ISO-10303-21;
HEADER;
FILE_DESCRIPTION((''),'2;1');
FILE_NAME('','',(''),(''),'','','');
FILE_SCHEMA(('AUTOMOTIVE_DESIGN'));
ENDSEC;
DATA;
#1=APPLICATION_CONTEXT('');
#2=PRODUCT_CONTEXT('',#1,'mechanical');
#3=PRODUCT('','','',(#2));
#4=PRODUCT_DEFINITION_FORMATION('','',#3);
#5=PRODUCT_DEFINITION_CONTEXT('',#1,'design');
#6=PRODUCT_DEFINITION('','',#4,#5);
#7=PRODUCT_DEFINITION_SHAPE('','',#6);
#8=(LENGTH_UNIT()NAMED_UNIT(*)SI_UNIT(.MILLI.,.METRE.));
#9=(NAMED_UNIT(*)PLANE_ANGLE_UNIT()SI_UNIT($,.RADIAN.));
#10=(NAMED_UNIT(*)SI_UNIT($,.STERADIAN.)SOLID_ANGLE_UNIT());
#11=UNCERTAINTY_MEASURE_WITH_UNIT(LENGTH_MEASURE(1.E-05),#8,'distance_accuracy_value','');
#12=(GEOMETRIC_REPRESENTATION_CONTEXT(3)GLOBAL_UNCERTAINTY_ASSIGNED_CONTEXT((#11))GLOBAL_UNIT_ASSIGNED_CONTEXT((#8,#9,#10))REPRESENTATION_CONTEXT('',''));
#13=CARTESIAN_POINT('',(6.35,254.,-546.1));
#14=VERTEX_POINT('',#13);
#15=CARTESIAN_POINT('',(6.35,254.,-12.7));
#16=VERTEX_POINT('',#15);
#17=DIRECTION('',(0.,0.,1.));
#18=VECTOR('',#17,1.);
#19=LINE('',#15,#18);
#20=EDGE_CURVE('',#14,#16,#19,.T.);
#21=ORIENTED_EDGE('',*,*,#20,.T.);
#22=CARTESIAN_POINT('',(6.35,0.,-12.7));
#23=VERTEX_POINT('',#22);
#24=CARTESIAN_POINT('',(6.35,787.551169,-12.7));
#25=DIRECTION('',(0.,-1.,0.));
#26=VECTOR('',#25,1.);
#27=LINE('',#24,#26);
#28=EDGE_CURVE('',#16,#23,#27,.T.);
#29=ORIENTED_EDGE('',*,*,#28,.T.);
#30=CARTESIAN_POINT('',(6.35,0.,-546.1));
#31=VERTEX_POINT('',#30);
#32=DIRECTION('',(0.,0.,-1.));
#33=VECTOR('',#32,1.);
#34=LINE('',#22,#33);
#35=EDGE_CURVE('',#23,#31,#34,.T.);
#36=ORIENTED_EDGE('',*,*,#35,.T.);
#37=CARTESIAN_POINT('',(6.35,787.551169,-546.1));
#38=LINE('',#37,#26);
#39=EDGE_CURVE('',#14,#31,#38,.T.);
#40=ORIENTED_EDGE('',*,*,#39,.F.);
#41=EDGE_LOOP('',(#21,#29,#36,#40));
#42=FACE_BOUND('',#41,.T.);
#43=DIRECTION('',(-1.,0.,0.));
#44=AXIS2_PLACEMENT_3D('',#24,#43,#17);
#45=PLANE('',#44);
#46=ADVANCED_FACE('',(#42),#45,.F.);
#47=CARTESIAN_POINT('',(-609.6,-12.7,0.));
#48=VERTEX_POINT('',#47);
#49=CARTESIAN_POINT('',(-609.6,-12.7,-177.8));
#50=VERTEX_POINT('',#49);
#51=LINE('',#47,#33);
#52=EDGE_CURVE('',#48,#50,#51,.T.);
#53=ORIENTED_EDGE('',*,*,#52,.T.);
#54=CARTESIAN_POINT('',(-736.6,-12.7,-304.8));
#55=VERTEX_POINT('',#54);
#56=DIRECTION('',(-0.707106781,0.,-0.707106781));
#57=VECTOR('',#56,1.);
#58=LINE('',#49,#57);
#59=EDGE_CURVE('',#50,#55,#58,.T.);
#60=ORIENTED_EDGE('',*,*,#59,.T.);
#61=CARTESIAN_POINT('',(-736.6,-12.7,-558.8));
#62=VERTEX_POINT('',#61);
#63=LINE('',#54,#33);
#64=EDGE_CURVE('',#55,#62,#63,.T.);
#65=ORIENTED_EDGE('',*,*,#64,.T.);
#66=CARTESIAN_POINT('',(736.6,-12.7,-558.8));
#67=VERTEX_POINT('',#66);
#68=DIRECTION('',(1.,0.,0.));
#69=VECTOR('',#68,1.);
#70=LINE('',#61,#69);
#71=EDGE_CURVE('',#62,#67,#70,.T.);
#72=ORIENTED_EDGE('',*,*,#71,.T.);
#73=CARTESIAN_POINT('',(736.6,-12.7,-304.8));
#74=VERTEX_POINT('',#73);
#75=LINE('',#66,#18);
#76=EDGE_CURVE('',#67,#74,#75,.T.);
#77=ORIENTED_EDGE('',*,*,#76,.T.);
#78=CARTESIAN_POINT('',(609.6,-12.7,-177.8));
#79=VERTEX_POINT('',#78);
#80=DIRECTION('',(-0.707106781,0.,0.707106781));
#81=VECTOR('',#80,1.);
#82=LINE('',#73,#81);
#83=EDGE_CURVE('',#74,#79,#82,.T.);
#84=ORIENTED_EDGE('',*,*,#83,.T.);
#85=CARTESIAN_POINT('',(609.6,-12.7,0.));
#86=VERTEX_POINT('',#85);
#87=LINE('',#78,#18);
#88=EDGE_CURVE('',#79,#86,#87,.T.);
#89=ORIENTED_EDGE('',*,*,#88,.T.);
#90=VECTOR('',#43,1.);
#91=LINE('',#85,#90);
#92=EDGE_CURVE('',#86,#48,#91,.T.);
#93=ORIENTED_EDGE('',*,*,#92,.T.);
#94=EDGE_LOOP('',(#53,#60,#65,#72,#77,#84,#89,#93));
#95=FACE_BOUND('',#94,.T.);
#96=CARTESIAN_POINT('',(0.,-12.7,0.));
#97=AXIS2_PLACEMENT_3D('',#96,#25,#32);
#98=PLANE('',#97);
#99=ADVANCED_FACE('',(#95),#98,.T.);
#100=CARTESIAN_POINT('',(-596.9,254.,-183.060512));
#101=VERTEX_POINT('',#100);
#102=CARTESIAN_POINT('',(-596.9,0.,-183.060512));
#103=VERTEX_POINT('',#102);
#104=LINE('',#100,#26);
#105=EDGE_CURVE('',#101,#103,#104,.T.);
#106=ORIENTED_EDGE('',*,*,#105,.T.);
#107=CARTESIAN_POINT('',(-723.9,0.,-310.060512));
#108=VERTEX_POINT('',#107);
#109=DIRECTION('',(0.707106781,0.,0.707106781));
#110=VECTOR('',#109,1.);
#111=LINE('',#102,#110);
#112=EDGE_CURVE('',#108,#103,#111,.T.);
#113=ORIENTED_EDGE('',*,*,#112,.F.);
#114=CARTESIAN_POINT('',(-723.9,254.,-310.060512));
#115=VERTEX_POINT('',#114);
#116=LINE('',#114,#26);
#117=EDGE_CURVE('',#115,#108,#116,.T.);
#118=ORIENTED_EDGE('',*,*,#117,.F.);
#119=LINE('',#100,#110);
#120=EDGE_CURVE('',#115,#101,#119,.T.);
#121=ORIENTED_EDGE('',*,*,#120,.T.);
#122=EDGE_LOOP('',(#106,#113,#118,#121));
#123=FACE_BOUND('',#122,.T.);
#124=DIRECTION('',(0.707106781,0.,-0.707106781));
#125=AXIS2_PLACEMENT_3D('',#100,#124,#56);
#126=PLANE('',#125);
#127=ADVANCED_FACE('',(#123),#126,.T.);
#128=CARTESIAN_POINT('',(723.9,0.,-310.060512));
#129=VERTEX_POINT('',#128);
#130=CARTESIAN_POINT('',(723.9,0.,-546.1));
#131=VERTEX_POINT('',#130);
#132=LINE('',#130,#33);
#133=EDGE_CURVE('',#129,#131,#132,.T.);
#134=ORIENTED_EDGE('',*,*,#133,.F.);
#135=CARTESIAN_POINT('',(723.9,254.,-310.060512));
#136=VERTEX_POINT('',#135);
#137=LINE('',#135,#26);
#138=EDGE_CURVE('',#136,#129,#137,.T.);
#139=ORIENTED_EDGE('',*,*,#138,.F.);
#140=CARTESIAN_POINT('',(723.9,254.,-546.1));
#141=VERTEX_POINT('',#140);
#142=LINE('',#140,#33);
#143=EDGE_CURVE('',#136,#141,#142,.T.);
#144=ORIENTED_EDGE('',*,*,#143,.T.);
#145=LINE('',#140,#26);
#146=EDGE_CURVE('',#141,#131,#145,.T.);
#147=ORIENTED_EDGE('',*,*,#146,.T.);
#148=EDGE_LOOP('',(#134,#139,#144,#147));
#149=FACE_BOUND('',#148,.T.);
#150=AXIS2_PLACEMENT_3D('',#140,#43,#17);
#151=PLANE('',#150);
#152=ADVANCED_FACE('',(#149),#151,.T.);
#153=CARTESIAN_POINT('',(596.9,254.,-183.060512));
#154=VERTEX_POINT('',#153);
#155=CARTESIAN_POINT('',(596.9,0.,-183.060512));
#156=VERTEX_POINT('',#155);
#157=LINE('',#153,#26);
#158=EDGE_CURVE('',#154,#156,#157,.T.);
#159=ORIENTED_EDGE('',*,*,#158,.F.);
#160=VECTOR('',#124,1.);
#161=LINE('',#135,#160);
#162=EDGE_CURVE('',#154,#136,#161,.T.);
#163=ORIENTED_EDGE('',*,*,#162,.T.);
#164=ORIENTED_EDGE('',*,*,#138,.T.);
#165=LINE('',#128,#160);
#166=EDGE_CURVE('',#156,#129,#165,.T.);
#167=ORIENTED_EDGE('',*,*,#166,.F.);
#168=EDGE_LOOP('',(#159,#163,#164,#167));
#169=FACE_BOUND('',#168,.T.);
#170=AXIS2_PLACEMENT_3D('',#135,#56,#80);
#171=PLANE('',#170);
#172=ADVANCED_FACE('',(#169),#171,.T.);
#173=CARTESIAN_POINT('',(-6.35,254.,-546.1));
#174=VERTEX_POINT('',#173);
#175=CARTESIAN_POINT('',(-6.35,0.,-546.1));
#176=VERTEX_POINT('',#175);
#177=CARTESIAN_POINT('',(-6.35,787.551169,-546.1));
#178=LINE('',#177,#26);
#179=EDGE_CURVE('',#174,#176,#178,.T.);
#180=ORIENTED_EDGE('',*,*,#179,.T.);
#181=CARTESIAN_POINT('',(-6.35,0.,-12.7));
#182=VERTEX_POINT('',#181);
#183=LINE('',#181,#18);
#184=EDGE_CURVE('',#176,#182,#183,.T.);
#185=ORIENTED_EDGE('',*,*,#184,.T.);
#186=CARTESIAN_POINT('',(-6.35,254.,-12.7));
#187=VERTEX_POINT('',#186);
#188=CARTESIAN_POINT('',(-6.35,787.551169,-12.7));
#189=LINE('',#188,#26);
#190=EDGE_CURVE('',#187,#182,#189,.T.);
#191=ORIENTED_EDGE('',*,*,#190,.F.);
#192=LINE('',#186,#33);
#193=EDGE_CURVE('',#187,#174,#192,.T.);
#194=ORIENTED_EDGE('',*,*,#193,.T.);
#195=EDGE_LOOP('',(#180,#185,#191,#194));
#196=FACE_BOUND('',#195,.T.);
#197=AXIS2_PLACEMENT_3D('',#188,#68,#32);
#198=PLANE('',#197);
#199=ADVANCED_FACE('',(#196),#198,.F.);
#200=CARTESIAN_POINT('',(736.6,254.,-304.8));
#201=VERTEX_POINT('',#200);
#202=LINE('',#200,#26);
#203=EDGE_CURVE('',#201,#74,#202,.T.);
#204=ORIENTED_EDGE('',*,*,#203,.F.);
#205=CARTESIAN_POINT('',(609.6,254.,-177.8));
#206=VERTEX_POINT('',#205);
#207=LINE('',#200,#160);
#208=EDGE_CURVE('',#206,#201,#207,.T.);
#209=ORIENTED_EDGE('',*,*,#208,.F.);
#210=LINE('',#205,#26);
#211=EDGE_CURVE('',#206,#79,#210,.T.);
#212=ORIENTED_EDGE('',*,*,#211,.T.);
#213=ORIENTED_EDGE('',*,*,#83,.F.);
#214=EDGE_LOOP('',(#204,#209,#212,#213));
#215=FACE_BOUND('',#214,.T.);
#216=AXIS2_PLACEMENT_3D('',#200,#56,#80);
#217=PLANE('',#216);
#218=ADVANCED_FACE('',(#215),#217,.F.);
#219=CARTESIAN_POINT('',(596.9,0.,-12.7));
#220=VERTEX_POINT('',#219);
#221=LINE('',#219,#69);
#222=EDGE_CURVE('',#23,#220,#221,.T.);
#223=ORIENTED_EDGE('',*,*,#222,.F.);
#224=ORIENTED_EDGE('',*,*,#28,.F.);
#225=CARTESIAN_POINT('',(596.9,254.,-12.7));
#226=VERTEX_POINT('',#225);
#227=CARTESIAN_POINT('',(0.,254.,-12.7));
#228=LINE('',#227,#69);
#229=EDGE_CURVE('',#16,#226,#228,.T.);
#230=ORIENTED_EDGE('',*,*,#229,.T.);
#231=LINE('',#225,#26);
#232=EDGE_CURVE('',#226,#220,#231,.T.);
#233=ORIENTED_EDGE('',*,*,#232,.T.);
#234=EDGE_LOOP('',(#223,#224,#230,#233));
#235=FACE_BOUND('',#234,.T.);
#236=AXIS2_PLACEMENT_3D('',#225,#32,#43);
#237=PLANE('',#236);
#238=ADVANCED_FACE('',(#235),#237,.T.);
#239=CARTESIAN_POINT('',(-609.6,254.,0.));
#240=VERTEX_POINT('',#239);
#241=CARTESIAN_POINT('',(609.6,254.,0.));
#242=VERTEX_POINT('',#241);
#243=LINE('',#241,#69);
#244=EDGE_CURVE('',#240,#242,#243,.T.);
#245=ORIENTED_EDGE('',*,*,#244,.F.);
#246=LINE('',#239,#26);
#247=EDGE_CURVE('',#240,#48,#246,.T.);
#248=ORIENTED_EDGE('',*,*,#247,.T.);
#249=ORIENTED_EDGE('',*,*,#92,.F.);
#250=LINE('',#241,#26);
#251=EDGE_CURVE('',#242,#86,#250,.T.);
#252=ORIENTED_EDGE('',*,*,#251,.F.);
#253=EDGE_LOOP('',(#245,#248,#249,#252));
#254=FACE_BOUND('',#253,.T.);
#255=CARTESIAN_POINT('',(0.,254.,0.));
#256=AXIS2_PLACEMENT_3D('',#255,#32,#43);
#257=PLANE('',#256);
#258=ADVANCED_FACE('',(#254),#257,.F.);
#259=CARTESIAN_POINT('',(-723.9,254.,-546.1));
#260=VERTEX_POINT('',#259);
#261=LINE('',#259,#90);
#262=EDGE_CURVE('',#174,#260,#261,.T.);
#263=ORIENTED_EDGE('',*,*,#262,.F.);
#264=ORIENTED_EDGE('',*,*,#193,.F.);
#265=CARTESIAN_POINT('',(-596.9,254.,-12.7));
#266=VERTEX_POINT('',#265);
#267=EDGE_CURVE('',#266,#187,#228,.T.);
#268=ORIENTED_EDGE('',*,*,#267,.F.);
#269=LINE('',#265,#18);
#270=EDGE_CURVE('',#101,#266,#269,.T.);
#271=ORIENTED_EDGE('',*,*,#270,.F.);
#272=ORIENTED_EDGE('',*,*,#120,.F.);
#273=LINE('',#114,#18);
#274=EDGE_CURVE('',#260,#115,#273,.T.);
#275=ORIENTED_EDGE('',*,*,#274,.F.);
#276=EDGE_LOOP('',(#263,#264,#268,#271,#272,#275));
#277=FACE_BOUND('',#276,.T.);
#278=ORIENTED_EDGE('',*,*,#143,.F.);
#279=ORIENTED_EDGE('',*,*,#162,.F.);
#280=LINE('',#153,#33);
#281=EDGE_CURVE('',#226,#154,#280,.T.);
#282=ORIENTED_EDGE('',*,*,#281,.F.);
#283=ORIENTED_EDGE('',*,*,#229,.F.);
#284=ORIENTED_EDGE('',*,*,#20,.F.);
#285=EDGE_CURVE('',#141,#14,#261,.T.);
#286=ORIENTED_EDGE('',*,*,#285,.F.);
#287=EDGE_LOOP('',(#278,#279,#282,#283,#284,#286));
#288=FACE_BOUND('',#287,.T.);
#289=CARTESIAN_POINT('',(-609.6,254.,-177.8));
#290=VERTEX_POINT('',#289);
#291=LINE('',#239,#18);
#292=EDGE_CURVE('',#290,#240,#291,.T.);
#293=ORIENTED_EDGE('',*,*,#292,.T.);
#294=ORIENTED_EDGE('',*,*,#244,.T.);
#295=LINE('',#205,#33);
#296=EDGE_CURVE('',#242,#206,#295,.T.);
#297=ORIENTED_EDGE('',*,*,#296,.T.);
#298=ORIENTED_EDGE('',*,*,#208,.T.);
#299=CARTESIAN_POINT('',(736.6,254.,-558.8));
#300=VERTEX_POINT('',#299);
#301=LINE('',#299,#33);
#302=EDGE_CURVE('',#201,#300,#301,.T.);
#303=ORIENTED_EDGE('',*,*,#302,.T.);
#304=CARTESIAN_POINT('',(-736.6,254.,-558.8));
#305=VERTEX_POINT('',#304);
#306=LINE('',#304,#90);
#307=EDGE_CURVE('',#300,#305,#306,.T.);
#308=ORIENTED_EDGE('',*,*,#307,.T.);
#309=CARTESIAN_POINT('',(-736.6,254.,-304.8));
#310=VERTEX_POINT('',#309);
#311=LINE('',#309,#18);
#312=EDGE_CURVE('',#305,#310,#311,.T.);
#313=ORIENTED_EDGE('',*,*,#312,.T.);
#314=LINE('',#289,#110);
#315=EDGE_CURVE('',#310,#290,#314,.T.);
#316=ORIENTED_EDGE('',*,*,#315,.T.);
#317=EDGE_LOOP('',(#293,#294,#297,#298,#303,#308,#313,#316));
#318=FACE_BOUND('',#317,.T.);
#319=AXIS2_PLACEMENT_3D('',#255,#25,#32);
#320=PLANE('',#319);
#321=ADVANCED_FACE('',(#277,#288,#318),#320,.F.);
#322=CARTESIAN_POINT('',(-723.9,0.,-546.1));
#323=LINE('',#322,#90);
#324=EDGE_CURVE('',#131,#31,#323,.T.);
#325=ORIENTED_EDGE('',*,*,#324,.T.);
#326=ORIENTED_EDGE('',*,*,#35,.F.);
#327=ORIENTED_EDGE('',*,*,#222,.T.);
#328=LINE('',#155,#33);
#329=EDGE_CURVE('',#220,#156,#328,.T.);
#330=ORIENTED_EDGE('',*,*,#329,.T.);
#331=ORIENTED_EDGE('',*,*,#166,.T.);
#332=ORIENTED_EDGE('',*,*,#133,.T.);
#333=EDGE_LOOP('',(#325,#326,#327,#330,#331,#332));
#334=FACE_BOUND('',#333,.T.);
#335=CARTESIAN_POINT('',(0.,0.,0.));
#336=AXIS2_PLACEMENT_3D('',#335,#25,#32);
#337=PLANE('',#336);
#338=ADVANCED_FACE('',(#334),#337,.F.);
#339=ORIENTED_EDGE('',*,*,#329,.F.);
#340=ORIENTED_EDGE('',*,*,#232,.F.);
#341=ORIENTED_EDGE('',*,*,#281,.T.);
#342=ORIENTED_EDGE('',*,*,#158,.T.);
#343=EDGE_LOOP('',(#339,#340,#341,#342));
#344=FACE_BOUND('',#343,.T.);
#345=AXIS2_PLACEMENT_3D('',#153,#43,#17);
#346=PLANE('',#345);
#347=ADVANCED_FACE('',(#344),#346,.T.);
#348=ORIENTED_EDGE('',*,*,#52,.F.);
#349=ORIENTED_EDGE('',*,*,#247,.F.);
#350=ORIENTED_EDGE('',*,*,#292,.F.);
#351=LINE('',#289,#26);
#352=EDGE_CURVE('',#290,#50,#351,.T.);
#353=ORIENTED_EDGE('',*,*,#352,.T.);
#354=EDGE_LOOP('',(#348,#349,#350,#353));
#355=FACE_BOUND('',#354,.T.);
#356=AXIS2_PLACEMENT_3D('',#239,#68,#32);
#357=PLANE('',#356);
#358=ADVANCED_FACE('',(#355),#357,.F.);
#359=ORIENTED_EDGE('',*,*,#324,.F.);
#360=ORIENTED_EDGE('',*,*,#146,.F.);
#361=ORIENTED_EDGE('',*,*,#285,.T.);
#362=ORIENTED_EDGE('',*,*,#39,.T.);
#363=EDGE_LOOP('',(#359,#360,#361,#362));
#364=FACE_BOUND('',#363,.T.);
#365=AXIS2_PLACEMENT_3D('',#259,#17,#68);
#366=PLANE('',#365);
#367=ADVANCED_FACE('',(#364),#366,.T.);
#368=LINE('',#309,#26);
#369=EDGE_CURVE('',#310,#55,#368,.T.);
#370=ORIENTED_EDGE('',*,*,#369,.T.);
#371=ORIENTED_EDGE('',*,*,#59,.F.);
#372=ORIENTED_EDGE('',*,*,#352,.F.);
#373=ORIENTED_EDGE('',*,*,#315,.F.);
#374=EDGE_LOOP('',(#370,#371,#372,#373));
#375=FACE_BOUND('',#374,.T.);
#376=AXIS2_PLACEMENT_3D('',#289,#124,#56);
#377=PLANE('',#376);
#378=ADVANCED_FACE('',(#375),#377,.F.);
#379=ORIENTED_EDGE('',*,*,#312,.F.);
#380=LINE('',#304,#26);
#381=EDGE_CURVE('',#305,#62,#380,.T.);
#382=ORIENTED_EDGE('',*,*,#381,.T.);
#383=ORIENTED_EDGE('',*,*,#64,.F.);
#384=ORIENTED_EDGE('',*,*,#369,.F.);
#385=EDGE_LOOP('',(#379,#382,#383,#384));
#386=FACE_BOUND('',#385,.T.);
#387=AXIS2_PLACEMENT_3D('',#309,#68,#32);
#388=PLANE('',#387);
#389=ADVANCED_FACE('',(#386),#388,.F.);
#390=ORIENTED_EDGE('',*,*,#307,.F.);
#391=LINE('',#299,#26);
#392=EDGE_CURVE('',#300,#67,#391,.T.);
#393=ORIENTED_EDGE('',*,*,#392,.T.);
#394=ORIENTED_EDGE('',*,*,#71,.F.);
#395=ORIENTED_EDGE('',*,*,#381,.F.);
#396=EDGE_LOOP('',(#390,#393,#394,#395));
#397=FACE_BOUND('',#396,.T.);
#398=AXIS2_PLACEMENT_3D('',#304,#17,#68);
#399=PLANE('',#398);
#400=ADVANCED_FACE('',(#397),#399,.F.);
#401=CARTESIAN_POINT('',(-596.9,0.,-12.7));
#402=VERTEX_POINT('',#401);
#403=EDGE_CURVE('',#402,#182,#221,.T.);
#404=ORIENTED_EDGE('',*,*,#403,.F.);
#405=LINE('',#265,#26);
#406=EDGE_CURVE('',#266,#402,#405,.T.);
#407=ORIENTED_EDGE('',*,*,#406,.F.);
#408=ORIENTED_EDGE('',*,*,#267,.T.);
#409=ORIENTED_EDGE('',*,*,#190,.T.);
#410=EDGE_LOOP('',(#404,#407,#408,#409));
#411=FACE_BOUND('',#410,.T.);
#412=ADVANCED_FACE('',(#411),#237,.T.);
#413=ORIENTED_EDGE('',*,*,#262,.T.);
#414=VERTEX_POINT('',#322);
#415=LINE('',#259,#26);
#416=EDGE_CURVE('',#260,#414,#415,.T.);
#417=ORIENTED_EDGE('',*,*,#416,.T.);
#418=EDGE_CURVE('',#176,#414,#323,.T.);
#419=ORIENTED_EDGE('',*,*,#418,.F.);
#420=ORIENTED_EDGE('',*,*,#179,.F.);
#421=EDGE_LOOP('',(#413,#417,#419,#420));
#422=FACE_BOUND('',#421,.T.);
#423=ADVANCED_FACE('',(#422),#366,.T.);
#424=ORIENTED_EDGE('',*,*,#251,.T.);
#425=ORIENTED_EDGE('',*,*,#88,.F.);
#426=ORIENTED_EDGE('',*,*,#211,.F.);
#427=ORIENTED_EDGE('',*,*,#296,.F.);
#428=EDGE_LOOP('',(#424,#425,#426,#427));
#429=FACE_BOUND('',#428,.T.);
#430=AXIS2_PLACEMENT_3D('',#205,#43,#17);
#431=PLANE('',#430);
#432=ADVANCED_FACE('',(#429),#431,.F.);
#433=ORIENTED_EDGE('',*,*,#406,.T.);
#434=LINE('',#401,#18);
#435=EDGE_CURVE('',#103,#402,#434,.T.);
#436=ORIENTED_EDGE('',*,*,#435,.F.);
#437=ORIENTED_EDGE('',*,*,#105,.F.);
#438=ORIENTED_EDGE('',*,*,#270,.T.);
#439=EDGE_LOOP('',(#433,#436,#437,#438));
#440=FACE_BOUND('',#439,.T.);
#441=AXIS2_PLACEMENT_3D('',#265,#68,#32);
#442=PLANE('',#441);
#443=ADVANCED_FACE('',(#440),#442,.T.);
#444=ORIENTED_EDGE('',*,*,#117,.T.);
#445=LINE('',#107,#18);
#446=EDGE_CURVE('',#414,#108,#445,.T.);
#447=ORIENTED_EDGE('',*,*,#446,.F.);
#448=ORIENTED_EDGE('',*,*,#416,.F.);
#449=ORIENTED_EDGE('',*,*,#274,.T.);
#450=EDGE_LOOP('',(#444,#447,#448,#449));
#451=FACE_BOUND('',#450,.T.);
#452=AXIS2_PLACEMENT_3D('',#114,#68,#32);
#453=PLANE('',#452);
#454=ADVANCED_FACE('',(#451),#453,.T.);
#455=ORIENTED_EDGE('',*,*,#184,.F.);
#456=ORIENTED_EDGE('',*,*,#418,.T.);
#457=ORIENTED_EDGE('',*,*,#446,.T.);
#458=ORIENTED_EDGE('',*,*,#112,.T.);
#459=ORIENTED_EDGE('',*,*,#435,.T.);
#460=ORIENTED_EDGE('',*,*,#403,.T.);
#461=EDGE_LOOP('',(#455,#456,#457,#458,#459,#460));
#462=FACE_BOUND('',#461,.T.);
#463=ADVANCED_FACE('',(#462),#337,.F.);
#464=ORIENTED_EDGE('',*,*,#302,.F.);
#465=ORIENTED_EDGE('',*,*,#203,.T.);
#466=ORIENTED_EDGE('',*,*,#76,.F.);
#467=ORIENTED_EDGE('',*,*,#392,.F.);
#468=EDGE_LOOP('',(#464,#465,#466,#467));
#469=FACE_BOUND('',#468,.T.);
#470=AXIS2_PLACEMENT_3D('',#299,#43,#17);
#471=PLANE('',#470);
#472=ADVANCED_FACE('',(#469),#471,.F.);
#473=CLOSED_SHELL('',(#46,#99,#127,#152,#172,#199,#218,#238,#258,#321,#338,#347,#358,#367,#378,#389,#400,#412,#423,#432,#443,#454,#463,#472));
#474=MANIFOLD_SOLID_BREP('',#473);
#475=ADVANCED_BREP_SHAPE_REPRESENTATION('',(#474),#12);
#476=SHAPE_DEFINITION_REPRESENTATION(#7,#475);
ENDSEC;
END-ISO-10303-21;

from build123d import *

# Parameters (mm, degrees)
BOSS_EXTRUDE1_DEPTH = 254
BOSS_EXTRUDE2_DEPTH = 12.7
SKETCH3_W           = 12.7
SKETCH3_H           = 533.4
BOSS_EXTRUDE3_DEPTH = 254


with BuildPart() as part:
    # Sketch1 → Boss-Extrude1 (new body)
    with BuildSketch(Plane(origin=(0, 0, 0), x_dir=(1, 0, 0), z_dir=(0, 1, 0))):
        Polygon((0, 0), (-609.6, 0), (-609.6, 177.8), (-736.6, 304.8), (-736.6, 558.8), (736.6, 558.8), (736.6, 304.8), (609.6, 177.8), (609.6, 0), align=None)
        Polygon((-723.9, 310.060512242), (-723.9, 546.1), (723.9, 546.1), (723.9, 310.060512242), (596.9, 183.060512242), (596.9, 12.7), (0, 12.7), (-596.9, 12.7), (-596.9, 183.060512242), align=None, mode=Mode.SUBTRACT)
    extrude(amount=BOSS_EXTRUDE1_DEPTH)

    # Sketch2 → Boss-Extrude2 (add)
    with BuildSketch(Plane.XZ):
        Polygon((609.6, -177.8), (609.6, 0), (-609.6, 0), (-609.6, -177.8), (-736.6, -304.8), (-736.6, -558.8), (736.6, -558.8), (736.6, -304.8), align=None)
    extrude(amount=BOSS_EXTRUDE2_DEPTH)

    # Sketch3 → Boss-Extrude3 (add)
    with BuildSketch(Plane(origin=(0, 0, 0), x_dir=(1, 0, 0), z_dir=(0, 1, 0))):
        with Locations((0, 279.4)):
            Rectangle(SKETCH3_W, SKETCH3_H)
    extrude(amount=BOSS_EXTRUDE3_DEPTH)


solid = part.part
